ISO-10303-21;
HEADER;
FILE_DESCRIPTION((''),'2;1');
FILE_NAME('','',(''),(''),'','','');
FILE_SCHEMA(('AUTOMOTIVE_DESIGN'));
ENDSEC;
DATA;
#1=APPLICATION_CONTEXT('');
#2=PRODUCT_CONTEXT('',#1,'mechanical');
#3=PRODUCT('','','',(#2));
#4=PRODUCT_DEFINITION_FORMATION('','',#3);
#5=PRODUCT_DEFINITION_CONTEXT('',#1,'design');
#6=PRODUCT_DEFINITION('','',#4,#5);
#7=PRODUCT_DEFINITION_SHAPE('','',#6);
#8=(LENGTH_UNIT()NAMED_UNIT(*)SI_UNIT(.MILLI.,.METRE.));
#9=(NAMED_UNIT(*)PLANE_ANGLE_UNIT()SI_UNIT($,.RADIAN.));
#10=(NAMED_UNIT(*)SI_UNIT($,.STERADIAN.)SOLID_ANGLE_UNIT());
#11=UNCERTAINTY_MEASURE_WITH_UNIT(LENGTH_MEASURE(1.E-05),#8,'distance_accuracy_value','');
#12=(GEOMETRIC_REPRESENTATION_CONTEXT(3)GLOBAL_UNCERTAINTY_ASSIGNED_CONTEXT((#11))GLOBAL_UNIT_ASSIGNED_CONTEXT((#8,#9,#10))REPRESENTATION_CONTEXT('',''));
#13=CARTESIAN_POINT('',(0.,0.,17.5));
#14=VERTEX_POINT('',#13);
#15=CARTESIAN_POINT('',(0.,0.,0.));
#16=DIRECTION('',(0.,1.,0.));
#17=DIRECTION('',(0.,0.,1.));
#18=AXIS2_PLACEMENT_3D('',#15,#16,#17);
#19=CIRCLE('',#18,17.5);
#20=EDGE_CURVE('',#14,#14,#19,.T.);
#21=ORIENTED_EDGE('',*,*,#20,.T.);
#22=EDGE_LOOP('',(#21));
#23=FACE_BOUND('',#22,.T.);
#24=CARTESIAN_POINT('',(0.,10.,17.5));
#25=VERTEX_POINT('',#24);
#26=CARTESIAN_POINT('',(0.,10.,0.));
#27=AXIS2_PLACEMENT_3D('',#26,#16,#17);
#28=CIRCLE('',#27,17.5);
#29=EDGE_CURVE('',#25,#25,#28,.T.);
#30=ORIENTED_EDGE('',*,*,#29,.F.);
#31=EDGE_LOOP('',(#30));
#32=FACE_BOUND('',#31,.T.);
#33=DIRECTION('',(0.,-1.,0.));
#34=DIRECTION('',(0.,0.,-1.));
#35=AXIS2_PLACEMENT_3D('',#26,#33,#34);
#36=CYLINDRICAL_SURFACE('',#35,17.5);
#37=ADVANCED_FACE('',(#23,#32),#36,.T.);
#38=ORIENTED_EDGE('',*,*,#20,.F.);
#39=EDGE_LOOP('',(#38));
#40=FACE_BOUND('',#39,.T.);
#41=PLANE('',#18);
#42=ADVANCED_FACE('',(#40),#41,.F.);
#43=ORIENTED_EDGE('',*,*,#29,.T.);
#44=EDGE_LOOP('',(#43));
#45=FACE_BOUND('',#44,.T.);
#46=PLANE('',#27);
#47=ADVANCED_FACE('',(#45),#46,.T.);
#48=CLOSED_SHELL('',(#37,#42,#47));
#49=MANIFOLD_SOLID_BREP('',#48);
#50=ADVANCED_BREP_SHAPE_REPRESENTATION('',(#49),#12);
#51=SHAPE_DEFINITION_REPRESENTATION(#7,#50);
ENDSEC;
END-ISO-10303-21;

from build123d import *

# Parameters (mm, degrees)
SKETCH_1_R      = 17.5
EXTRUDE_1_DEPTH = 10


with BuildPart() as part:
    # 草图1 → 凸台-拉伸1 (new body)
    with BuildSketch(Plane(origin=(0, 0, 0), x_dir=(1, 0, 0), z_dir=(0, 1, 0))):
        Circle(SKETCH_1_R)
    extrude(amount=EXTRUDE_1_DEPTH)


solid = part.part
